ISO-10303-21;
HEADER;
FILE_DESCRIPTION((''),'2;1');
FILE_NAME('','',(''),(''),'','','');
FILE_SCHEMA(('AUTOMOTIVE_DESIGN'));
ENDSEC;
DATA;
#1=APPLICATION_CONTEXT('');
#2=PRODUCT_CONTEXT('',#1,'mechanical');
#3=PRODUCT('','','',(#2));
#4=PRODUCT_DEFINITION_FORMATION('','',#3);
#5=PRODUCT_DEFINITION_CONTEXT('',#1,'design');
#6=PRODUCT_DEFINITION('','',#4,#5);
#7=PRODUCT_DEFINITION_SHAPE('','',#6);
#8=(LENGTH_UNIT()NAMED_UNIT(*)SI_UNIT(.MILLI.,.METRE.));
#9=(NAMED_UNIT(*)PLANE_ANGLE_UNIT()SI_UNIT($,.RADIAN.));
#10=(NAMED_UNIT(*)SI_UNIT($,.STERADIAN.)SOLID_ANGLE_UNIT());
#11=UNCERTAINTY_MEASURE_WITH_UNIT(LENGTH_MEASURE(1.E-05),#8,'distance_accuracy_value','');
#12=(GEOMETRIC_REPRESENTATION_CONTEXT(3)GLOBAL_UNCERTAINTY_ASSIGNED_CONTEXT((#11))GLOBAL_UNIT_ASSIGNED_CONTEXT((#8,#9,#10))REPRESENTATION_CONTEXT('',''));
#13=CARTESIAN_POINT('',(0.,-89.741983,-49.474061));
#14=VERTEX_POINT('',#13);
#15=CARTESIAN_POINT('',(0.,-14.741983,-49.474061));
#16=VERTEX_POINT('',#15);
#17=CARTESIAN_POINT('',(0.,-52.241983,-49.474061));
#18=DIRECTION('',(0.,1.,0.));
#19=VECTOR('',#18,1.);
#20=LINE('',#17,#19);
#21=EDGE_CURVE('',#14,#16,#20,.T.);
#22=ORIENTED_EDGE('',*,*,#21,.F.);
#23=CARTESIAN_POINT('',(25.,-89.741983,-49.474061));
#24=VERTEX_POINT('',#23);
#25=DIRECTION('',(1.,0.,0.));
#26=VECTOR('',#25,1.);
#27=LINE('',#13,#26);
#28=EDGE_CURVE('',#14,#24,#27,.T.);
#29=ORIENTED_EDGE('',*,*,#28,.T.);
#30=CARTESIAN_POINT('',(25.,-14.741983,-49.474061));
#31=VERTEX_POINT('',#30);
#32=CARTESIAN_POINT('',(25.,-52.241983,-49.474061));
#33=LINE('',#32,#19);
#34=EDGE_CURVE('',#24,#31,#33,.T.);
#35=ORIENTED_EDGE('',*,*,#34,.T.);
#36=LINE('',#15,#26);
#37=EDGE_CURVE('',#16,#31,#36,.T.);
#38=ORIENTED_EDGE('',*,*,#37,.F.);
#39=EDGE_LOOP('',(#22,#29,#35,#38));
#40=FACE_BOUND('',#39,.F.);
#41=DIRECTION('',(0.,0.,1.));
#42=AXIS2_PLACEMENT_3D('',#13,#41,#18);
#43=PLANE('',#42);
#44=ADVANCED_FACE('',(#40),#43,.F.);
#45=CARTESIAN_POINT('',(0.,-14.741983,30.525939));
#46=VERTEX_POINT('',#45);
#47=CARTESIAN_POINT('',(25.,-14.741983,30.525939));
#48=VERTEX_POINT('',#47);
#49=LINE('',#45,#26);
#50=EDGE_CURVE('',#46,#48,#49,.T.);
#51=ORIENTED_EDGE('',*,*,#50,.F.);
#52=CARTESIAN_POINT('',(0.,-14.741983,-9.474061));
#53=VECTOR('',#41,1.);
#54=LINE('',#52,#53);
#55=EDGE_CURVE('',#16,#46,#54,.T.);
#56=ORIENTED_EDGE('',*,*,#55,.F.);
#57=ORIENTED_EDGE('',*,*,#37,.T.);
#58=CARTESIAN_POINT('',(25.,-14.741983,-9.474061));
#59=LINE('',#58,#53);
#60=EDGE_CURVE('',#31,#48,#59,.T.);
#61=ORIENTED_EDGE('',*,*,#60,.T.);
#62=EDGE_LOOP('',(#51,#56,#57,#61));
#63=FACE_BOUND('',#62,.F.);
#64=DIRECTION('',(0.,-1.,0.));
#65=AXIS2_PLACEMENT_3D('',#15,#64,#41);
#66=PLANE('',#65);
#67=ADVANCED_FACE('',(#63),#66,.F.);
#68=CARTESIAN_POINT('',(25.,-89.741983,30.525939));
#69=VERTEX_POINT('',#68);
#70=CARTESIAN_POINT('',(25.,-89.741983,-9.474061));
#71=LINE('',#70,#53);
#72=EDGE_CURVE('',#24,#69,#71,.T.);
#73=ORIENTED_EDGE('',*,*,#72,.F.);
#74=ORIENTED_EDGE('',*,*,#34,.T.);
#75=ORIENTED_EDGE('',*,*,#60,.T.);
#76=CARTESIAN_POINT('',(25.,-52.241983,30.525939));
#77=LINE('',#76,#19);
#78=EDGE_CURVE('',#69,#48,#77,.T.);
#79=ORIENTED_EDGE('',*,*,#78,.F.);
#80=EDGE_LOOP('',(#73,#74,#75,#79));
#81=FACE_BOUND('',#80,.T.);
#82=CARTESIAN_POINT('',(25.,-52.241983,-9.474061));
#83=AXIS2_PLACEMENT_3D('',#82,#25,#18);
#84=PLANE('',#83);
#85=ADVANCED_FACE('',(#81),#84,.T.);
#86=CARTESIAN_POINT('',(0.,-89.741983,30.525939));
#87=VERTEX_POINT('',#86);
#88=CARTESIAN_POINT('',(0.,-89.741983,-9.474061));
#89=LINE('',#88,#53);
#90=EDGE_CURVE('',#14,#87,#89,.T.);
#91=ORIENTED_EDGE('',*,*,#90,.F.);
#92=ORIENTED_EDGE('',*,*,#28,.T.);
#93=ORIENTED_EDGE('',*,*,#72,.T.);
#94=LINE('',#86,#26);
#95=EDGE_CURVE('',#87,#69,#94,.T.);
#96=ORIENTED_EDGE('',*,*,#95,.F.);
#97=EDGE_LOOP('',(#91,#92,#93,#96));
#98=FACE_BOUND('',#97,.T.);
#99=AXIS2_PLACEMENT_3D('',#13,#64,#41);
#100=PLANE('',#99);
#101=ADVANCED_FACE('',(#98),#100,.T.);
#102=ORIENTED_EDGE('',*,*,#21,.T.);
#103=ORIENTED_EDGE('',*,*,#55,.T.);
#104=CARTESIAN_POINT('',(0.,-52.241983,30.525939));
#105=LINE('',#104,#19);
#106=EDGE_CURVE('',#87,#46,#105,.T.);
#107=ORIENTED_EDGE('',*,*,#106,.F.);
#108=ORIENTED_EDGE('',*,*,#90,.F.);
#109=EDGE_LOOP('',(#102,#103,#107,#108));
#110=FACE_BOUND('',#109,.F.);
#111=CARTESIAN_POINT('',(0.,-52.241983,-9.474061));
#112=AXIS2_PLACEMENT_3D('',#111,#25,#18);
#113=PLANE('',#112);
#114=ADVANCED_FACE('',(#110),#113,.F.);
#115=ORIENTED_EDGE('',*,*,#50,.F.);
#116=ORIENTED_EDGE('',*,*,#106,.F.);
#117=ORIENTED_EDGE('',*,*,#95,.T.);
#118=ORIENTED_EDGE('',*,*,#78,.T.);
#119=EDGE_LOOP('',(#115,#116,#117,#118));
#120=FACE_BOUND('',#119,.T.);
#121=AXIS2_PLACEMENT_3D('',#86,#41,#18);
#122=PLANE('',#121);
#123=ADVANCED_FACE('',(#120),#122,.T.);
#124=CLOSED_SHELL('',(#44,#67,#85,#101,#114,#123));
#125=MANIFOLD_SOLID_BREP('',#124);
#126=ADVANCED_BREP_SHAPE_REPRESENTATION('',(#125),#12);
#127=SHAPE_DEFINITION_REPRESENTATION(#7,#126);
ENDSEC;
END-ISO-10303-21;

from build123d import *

# Parameters (mm, degrees)
F0_W     = 75
F0_H     = 80
F1_DEPTH = 25
F2_DEPTH = 25
F3_DEPTH = 25


with BuildPart() as f1:
    # F0 (on Right) → F1 (new body)
    with BuildSketch(Plane.YZ):
        with Locations((-52.241983, -9.474061)):
            Rectangle(F0_W, F0_H)
    extrude(amount=F1_DEPTH)

    # F0 (on Right) → F2 (join)
    with BuildSketch(Plane.YZ):
        with Locations((-52.241983, -9.474061)):
            Rectangle(F0_W, F0_H)
    extrude(amount=F2_DEPTH)

    # F0 (on Right) → F3 (join)
    with BuildSketch(Plane.YZ):
        with Locations((-52.241983, -9.474061)):
            Rectangle(F0_W, F0_H)
    extrude(amount=F3_DEPTH)


solid = f1.part
